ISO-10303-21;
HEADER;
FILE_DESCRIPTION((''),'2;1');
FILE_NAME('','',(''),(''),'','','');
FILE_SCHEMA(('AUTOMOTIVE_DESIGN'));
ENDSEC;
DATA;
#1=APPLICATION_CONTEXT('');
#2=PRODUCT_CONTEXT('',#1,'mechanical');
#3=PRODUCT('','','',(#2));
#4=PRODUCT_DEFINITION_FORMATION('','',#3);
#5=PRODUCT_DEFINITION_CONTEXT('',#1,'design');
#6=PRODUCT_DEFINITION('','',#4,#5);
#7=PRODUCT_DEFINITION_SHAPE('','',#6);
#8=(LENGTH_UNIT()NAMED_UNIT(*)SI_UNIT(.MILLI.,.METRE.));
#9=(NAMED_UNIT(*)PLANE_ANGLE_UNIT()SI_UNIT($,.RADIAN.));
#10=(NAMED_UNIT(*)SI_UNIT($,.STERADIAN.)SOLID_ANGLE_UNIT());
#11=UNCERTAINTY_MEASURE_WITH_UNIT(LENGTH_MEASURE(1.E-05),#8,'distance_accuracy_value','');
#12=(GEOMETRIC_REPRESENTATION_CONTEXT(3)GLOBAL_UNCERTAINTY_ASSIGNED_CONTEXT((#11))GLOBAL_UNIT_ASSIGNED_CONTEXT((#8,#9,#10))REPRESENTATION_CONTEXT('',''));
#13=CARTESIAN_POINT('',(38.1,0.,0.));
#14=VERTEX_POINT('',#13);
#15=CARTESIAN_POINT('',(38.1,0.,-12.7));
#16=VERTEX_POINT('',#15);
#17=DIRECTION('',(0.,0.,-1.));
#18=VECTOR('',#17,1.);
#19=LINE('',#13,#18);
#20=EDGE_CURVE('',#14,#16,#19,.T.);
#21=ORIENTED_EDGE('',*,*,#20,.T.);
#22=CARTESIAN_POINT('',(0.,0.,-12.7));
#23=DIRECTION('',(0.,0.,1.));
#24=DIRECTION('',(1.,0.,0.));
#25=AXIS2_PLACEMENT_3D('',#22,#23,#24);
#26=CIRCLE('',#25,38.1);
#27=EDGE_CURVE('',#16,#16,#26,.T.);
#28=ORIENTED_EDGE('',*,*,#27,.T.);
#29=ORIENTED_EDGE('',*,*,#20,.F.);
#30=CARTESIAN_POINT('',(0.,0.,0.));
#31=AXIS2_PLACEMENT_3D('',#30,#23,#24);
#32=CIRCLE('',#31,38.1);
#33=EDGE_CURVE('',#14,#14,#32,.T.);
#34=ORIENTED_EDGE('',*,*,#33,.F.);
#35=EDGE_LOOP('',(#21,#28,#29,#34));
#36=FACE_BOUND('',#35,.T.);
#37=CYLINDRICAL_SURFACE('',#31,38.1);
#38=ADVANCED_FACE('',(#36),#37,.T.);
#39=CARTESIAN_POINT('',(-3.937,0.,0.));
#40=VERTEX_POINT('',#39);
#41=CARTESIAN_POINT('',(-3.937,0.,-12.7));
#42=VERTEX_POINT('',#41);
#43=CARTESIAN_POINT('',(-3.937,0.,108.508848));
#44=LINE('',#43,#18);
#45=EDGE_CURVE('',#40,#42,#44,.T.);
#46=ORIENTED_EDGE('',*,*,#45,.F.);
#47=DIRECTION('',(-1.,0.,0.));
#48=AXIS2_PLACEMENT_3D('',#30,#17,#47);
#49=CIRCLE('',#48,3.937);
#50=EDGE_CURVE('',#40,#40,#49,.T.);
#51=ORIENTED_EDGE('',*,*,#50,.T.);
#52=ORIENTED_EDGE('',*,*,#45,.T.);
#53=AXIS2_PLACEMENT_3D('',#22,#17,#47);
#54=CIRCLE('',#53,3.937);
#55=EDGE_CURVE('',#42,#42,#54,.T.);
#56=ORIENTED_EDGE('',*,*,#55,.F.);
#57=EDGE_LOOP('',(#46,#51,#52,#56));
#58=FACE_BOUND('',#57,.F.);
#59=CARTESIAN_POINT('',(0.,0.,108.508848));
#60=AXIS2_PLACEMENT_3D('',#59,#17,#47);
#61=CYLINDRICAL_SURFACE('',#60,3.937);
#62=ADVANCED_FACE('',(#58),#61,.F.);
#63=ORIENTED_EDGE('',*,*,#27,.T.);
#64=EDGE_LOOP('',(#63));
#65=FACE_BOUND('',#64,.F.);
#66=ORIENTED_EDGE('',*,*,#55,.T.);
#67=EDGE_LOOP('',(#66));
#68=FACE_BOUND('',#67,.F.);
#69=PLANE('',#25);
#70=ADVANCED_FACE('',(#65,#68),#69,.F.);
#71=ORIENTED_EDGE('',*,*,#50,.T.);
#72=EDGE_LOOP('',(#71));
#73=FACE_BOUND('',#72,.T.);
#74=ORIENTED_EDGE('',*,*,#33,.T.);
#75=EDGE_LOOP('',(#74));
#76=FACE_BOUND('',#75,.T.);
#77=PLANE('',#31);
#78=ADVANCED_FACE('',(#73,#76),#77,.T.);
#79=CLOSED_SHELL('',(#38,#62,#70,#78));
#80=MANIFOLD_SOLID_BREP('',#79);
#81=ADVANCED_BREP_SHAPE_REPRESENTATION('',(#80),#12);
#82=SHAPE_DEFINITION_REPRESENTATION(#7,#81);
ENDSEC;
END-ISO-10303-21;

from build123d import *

# Parameters (mm, degrees)
F0_R     = 38.1
F1_DEPTH = 12.7
F3_D     = 7.874


with BuildPart() as f1:
    # F0 (on Top) → F1 (new body)
    with BuildSketch(Plane.XY):
        Circle(F0_R)
    extrude(amount=-F1_DEPTH)

    # F3 (through all)
    with Locations(Plane.XY):
        with Locations((0, 0)):
            Hole(F3_D / 2)


solid = f1.part
